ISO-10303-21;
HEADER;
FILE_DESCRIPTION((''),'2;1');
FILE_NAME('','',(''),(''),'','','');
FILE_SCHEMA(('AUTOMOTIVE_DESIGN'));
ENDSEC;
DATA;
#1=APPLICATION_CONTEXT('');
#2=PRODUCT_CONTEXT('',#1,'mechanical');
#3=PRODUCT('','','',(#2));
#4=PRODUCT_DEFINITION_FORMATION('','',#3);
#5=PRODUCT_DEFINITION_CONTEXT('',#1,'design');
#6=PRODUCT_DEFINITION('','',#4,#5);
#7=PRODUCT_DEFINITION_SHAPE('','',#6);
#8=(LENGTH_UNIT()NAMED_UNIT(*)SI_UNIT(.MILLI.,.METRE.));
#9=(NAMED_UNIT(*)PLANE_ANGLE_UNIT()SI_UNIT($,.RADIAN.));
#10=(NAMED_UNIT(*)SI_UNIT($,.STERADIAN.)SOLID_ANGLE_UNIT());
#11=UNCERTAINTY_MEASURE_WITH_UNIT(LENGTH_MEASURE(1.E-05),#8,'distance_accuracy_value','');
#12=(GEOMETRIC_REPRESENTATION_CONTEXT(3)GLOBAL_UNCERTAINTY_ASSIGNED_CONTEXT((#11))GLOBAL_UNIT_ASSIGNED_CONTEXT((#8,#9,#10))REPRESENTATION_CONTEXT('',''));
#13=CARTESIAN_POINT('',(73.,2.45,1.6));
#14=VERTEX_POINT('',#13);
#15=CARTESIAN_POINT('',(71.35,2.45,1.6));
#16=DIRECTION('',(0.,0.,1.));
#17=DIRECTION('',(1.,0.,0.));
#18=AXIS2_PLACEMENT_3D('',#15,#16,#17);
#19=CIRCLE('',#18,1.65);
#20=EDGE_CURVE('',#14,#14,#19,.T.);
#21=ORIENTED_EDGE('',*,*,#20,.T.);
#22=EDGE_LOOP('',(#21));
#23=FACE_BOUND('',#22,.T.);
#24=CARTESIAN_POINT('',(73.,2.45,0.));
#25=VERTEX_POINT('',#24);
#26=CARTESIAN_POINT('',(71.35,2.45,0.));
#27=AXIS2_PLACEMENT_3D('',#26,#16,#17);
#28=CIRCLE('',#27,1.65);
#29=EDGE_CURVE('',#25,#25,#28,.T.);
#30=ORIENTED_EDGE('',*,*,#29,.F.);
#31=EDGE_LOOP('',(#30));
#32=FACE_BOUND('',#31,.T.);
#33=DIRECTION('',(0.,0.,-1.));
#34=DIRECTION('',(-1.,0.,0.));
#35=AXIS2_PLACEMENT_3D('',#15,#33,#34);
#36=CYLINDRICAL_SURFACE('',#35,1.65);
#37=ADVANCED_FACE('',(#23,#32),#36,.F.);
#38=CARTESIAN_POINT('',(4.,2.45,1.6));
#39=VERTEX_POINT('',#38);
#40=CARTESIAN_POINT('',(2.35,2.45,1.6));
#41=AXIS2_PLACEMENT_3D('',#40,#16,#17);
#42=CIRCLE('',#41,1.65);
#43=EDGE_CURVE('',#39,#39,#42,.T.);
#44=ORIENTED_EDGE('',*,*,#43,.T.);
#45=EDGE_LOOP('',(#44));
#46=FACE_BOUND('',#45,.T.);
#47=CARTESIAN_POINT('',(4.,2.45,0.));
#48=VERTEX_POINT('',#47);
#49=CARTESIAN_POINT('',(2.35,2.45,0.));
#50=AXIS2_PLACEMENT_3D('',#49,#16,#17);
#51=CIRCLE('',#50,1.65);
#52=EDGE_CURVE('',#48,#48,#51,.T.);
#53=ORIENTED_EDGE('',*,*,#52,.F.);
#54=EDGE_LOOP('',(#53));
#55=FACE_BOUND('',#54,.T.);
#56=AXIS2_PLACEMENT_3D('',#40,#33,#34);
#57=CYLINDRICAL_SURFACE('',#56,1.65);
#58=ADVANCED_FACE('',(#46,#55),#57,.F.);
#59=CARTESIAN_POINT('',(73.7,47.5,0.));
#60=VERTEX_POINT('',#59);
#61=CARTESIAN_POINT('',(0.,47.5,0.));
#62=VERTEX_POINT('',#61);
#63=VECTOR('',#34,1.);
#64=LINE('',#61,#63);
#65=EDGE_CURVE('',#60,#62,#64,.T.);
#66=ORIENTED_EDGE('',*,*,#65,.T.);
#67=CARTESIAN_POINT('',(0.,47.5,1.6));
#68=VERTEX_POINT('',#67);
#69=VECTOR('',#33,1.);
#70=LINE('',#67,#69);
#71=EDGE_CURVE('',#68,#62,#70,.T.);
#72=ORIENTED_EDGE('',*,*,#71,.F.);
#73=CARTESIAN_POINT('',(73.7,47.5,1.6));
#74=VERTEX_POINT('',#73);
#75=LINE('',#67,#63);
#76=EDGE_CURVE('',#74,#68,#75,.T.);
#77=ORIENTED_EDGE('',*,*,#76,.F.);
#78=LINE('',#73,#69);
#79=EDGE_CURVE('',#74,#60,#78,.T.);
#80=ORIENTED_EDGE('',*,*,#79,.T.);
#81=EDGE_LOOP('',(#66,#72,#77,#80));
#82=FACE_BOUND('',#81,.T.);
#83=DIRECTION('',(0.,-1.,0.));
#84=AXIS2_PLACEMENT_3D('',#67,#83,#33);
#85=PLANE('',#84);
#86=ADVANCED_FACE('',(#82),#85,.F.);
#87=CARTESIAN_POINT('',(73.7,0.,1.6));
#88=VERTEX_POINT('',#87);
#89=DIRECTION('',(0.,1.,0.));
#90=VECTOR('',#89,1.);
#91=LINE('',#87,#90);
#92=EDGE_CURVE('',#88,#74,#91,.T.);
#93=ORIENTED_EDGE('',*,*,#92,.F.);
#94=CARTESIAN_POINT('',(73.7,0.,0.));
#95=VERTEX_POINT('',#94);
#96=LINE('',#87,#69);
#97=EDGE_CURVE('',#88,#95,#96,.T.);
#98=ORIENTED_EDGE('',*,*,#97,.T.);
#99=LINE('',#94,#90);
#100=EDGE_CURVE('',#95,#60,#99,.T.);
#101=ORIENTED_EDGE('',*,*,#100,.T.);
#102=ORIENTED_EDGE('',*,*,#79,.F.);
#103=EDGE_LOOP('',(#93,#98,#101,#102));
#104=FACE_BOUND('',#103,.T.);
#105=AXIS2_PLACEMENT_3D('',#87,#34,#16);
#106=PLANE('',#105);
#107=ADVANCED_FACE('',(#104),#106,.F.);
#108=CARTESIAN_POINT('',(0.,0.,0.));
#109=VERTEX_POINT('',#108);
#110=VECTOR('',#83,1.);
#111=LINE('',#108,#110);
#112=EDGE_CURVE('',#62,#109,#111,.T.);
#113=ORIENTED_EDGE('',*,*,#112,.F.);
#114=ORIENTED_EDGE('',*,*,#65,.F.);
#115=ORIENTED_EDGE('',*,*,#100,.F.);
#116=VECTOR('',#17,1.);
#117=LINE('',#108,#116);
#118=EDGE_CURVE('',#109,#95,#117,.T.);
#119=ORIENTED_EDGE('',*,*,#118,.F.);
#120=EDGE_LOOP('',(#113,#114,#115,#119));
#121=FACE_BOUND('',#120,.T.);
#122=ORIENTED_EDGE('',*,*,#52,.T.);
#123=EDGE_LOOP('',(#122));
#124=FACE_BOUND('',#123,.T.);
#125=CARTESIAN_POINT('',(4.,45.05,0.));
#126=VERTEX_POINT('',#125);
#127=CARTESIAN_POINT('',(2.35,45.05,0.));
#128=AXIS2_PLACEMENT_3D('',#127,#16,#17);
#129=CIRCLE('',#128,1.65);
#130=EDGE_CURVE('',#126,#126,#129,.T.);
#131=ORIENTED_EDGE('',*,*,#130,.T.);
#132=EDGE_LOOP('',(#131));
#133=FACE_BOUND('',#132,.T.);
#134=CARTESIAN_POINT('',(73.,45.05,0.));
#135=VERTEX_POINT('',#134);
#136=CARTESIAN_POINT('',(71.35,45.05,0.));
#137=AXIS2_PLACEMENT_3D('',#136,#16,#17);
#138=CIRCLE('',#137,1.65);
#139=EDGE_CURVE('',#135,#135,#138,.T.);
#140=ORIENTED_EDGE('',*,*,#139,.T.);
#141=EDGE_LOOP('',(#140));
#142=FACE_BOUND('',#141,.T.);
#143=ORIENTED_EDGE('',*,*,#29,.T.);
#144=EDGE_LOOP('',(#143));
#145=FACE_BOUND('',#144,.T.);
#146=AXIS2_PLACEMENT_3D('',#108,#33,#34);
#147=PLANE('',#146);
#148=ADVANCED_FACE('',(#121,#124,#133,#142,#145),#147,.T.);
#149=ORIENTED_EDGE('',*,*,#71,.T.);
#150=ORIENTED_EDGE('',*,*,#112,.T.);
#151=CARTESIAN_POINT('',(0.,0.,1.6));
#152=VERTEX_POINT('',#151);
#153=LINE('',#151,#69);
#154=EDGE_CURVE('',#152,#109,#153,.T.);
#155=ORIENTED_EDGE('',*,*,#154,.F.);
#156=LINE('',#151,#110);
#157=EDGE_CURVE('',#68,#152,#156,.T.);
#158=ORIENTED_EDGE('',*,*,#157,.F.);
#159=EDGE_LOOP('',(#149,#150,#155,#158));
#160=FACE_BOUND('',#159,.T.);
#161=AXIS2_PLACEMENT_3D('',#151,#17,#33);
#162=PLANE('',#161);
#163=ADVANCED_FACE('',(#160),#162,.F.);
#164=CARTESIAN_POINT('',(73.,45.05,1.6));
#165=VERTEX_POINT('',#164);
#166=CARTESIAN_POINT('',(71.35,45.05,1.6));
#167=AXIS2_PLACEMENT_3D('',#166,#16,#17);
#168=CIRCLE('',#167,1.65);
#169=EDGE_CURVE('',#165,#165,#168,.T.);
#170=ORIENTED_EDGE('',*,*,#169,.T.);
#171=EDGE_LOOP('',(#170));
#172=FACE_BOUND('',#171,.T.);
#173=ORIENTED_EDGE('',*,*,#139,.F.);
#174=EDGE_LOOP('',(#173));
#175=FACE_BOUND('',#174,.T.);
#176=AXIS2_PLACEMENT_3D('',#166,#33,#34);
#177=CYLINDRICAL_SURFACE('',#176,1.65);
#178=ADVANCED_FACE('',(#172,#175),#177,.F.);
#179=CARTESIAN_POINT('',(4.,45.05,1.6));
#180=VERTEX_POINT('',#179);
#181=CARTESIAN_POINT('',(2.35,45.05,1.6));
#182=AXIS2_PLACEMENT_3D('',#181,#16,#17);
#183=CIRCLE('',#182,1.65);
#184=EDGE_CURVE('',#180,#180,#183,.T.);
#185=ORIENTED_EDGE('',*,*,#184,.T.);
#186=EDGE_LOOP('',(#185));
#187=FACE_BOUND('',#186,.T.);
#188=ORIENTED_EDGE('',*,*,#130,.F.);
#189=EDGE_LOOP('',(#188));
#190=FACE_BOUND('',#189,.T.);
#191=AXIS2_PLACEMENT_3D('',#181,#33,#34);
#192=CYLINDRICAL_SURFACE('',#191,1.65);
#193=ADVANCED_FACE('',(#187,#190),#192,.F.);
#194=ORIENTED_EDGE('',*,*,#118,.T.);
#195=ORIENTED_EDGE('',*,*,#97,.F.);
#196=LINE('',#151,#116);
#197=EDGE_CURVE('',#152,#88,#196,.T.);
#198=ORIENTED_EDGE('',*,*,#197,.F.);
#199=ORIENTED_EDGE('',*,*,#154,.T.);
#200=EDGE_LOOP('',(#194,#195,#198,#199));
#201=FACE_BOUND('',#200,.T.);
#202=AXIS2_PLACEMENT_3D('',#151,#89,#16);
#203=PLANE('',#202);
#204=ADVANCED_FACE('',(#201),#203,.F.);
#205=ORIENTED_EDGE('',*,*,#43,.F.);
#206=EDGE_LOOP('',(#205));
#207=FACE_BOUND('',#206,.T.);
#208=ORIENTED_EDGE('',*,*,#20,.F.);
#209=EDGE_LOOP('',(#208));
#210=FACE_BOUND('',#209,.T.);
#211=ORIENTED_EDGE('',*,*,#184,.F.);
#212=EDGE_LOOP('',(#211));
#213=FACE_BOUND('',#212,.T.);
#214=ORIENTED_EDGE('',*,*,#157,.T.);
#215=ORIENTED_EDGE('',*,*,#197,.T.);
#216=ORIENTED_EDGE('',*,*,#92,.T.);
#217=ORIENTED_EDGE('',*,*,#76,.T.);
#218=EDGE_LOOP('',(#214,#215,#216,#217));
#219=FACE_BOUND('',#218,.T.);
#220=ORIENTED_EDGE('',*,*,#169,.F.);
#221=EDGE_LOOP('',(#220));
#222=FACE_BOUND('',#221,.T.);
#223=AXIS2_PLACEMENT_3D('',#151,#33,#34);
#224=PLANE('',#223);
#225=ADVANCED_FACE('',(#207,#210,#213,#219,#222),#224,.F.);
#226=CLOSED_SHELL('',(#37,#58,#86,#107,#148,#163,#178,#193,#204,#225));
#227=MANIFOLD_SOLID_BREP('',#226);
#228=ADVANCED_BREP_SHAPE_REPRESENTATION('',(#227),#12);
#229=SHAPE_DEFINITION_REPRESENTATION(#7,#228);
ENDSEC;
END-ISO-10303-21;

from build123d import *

# Parameters (mm, degrees)
SKETCH1_W           = 73.7
SKETCH1_H           = 47.5
SKETCH1_R           = 1.65
BOSS_EXTRUDE1_DEPTH = 1.6


with BuildPart() as part:
    # Sketch1 → Boss-Extrude1 (new body)
    with BuildSketch(Plane.XY):
        with Locations((36.85, 23.75)):
            Rectangle(SKETCH1_W, SKETCH1_H)
        with Locations((2.35, 45.05)):
            Circle(SKETCH1_R, mode=Mode.SUBTRACT)
        with Locations((71.35, 45.05)):
            Circle(SKETCH1_R, mode=Mode.SUBTRACT)
        with Locations((2.35, 2.45)):
            Circle(SKETCH1_R, mode=Mode.SUBTRACT)
        with Locations((71.35, 2.45)):
            Circle(SKETCH1_R, mode=Mode.SUBTRACT)
    extrude(amount=BOSS_EXTRUDE1_DEPTH)


solid = part.part
